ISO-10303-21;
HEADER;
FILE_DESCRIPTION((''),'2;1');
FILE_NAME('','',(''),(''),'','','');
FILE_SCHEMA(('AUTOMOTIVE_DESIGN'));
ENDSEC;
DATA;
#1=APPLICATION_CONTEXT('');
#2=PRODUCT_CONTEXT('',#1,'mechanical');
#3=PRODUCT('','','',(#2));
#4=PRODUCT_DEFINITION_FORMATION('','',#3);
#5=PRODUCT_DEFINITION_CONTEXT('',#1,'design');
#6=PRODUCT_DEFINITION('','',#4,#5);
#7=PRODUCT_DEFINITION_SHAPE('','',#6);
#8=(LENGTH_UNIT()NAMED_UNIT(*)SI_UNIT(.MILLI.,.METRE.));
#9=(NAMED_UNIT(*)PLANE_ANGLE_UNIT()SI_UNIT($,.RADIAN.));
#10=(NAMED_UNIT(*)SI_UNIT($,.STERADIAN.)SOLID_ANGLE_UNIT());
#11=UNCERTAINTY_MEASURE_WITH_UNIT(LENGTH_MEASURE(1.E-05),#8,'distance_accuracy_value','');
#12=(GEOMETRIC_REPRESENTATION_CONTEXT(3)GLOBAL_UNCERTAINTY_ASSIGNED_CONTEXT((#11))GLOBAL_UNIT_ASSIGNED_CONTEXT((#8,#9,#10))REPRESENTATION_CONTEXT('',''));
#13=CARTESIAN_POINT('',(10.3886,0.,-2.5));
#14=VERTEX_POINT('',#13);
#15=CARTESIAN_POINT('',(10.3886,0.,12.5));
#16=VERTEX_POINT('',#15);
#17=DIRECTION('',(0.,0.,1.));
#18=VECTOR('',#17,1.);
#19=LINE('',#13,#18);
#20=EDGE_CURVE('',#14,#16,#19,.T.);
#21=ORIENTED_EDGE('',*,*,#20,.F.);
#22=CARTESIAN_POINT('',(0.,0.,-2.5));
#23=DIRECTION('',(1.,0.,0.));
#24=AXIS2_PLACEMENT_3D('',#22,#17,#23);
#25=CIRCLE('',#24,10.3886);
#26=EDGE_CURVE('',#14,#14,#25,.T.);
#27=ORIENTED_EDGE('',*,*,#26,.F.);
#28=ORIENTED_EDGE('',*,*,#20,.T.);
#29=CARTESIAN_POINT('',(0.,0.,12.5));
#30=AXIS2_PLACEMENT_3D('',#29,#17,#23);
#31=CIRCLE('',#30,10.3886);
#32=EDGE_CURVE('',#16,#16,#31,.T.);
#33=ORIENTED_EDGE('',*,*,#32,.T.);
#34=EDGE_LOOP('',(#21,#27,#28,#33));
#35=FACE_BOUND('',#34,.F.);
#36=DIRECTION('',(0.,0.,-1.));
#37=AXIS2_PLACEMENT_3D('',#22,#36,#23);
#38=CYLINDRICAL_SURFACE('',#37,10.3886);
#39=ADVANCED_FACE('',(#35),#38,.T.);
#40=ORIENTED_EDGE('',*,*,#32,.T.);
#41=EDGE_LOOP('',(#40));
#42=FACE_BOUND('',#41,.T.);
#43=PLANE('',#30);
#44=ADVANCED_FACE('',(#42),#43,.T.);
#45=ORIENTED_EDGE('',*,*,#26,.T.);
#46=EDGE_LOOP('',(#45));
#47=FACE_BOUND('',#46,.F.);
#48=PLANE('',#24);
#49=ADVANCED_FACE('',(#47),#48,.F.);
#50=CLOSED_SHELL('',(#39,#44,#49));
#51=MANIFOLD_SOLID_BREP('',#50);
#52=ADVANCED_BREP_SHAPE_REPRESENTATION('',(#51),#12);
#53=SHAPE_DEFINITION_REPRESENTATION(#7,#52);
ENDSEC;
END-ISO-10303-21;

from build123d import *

# Parameters (mm, degrees)
CYLINDER_R     = 10.3886
CYLINDER_DEPTH = 15


with BuildPart() as part:
    # Cylinder → Cylinder (new body)
    with BuildSketch(Plane.XY.offset(-2.5)):
        Circle(CYLINDER_R)
    extrude(amount=CYLINDER_DEPTH)


solid = part.part
